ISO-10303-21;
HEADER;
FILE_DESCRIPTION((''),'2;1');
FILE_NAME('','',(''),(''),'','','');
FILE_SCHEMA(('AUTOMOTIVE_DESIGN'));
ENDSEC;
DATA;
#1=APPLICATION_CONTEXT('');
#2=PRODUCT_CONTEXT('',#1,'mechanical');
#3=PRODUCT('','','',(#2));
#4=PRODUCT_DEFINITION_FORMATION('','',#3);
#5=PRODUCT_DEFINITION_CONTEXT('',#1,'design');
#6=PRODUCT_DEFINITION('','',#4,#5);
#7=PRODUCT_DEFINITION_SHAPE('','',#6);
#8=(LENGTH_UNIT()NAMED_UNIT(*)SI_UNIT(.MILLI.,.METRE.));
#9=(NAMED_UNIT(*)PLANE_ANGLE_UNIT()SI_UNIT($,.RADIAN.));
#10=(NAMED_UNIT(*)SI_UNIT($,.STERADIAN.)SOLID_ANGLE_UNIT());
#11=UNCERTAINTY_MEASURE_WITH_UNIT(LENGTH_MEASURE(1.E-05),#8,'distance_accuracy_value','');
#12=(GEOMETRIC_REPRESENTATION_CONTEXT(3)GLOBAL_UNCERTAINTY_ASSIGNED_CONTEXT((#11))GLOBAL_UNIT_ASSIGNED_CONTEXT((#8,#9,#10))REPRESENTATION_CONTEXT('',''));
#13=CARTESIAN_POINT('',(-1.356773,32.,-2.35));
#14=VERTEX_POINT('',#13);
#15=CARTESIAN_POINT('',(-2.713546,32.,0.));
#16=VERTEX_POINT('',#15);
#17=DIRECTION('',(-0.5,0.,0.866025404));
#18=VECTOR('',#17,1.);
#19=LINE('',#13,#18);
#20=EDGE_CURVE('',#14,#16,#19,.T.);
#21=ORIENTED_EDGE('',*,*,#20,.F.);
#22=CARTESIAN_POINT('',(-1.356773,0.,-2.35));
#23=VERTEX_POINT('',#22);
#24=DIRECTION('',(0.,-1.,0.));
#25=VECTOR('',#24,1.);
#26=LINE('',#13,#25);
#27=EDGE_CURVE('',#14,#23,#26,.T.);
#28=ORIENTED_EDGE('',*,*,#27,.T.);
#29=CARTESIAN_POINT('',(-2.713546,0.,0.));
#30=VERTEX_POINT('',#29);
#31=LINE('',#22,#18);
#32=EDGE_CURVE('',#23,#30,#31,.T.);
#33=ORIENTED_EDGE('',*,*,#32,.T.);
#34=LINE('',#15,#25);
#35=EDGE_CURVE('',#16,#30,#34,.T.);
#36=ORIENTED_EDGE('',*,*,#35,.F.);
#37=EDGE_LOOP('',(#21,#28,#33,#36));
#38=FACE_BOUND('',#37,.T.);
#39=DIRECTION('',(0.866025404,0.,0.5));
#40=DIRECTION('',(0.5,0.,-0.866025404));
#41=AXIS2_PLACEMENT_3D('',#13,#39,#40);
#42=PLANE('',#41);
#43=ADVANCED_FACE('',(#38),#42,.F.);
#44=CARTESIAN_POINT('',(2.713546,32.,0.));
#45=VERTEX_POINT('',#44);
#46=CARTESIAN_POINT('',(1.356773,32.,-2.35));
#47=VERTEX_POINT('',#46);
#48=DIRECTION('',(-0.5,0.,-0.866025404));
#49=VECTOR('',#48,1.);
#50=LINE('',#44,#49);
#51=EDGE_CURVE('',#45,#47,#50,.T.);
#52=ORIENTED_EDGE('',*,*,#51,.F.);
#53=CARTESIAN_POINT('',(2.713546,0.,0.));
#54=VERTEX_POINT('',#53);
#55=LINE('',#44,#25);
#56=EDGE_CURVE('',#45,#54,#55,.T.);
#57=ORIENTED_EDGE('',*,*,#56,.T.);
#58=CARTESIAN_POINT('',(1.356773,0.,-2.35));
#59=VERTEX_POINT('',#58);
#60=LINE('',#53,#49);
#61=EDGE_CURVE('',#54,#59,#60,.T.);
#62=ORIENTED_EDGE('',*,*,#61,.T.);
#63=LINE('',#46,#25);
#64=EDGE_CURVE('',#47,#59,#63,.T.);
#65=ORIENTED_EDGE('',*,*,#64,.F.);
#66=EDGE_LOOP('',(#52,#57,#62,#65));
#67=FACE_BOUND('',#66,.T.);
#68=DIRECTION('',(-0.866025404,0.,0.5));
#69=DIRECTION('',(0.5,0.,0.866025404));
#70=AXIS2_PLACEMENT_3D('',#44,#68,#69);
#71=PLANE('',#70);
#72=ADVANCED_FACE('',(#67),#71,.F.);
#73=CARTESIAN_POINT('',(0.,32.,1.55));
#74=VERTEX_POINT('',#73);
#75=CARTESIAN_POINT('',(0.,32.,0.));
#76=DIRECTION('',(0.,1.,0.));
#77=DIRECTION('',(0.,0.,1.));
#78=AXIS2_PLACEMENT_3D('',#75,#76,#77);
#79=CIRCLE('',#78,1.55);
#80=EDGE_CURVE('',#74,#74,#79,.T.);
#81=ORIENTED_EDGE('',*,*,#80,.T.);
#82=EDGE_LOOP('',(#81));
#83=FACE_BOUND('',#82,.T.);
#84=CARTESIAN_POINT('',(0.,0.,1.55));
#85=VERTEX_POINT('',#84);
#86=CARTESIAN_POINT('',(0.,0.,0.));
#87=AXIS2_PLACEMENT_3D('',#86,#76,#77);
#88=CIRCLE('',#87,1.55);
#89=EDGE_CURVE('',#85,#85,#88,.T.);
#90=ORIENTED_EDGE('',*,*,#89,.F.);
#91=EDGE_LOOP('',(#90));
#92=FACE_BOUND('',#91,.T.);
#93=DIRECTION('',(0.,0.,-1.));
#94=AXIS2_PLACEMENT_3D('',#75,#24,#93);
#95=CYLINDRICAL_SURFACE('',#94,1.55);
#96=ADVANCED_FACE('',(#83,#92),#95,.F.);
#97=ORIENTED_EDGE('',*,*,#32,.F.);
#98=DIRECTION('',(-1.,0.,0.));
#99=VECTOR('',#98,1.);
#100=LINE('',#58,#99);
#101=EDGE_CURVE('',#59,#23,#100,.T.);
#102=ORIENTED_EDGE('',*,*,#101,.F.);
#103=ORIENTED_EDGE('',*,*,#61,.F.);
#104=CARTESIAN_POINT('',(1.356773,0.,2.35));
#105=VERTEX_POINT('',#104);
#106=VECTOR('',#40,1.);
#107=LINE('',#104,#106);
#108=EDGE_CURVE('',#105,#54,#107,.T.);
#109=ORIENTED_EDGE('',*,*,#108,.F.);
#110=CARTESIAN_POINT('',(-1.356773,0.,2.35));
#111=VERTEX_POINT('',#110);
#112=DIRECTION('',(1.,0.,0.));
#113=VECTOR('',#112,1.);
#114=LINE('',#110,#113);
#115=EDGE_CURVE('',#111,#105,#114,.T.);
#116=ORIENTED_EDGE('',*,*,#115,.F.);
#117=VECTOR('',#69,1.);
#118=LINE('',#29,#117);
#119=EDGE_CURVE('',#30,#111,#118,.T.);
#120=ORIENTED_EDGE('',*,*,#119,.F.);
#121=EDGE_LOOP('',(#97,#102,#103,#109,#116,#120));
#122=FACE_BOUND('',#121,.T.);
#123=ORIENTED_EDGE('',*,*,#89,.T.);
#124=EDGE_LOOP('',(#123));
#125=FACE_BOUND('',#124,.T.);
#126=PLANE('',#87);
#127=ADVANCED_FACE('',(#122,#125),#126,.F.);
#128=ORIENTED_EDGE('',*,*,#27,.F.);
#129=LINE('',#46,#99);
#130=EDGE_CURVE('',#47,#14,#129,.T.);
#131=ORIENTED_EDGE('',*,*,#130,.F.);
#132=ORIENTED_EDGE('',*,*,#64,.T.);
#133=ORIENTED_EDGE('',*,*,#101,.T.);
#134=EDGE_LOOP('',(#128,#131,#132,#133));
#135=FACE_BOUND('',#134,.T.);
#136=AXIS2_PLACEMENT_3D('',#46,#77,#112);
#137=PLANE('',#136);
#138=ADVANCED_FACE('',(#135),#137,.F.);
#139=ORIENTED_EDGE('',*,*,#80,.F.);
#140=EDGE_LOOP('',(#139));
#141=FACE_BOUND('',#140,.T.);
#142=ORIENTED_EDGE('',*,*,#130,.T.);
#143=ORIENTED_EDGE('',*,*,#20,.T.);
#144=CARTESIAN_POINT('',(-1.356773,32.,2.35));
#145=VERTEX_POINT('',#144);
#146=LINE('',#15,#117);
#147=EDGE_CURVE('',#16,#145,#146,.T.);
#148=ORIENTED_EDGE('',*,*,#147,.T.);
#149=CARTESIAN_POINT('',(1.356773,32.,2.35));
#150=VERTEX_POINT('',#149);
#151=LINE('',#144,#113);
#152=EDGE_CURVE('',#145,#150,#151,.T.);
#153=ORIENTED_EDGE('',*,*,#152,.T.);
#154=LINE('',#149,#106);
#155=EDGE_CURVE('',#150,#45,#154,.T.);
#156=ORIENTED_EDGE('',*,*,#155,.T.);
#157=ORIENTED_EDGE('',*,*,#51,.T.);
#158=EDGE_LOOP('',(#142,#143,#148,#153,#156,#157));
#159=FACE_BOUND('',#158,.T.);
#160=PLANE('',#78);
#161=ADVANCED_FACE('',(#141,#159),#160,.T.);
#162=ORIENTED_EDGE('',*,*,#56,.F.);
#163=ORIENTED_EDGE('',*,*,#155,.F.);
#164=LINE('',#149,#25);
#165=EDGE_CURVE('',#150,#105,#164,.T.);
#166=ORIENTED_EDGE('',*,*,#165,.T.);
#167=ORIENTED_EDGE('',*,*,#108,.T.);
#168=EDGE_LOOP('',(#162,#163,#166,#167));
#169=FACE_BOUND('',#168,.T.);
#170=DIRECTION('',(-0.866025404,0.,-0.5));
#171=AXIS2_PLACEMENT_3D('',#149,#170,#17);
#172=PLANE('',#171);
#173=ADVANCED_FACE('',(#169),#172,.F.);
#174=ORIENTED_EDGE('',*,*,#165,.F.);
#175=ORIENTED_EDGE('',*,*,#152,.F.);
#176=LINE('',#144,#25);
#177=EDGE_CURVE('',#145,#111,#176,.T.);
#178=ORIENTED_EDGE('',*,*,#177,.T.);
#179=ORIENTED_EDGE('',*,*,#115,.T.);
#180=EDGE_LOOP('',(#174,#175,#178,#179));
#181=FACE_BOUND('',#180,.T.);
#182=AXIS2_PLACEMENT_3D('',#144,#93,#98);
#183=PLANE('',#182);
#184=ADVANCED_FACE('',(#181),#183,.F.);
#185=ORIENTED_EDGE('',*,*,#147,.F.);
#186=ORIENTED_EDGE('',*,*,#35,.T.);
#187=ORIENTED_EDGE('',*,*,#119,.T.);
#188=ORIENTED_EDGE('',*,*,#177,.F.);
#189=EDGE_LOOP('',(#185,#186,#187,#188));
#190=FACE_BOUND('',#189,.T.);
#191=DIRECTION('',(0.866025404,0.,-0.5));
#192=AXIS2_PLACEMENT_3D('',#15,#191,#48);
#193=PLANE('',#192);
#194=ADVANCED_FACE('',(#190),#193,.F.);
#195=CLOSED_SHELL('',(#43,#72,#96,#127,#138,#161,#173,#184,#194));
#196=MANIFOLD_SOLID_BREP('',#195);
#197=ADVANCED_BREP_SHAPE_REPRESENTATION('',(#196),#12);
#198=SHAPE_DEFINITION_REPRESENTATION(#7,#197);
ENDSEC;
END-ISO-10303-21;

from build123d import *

# Parameters (mm, degrees)
SKETCH_1_R      = 1.55
EXTRUDE_1_DEPTH = 32


with BuildPart() as part:
    # 草图1 → 凸台-拉伸1 (new body)
    with BuildSketch(Plane(origin=(0, 0, 0), x_dir=(1, 0, 0), z_dir=(0, 1, 0))):
        Polygon((2.713546265, 0), (1.356773133, 2.35), (-1.356773133, 2.35), (-2.713546265, 0), (-1.356773133, -2.35), (1.356773133, -2.35), align=None)
        with Locations(Location((0, 0, 0), (0, 0, 270))):
            Circle(SKETCH_1_R, mode=Mode.SUBTRACT)
    extrude(amount=EXTRUDE_1_DEPTH)


solid = part.part
